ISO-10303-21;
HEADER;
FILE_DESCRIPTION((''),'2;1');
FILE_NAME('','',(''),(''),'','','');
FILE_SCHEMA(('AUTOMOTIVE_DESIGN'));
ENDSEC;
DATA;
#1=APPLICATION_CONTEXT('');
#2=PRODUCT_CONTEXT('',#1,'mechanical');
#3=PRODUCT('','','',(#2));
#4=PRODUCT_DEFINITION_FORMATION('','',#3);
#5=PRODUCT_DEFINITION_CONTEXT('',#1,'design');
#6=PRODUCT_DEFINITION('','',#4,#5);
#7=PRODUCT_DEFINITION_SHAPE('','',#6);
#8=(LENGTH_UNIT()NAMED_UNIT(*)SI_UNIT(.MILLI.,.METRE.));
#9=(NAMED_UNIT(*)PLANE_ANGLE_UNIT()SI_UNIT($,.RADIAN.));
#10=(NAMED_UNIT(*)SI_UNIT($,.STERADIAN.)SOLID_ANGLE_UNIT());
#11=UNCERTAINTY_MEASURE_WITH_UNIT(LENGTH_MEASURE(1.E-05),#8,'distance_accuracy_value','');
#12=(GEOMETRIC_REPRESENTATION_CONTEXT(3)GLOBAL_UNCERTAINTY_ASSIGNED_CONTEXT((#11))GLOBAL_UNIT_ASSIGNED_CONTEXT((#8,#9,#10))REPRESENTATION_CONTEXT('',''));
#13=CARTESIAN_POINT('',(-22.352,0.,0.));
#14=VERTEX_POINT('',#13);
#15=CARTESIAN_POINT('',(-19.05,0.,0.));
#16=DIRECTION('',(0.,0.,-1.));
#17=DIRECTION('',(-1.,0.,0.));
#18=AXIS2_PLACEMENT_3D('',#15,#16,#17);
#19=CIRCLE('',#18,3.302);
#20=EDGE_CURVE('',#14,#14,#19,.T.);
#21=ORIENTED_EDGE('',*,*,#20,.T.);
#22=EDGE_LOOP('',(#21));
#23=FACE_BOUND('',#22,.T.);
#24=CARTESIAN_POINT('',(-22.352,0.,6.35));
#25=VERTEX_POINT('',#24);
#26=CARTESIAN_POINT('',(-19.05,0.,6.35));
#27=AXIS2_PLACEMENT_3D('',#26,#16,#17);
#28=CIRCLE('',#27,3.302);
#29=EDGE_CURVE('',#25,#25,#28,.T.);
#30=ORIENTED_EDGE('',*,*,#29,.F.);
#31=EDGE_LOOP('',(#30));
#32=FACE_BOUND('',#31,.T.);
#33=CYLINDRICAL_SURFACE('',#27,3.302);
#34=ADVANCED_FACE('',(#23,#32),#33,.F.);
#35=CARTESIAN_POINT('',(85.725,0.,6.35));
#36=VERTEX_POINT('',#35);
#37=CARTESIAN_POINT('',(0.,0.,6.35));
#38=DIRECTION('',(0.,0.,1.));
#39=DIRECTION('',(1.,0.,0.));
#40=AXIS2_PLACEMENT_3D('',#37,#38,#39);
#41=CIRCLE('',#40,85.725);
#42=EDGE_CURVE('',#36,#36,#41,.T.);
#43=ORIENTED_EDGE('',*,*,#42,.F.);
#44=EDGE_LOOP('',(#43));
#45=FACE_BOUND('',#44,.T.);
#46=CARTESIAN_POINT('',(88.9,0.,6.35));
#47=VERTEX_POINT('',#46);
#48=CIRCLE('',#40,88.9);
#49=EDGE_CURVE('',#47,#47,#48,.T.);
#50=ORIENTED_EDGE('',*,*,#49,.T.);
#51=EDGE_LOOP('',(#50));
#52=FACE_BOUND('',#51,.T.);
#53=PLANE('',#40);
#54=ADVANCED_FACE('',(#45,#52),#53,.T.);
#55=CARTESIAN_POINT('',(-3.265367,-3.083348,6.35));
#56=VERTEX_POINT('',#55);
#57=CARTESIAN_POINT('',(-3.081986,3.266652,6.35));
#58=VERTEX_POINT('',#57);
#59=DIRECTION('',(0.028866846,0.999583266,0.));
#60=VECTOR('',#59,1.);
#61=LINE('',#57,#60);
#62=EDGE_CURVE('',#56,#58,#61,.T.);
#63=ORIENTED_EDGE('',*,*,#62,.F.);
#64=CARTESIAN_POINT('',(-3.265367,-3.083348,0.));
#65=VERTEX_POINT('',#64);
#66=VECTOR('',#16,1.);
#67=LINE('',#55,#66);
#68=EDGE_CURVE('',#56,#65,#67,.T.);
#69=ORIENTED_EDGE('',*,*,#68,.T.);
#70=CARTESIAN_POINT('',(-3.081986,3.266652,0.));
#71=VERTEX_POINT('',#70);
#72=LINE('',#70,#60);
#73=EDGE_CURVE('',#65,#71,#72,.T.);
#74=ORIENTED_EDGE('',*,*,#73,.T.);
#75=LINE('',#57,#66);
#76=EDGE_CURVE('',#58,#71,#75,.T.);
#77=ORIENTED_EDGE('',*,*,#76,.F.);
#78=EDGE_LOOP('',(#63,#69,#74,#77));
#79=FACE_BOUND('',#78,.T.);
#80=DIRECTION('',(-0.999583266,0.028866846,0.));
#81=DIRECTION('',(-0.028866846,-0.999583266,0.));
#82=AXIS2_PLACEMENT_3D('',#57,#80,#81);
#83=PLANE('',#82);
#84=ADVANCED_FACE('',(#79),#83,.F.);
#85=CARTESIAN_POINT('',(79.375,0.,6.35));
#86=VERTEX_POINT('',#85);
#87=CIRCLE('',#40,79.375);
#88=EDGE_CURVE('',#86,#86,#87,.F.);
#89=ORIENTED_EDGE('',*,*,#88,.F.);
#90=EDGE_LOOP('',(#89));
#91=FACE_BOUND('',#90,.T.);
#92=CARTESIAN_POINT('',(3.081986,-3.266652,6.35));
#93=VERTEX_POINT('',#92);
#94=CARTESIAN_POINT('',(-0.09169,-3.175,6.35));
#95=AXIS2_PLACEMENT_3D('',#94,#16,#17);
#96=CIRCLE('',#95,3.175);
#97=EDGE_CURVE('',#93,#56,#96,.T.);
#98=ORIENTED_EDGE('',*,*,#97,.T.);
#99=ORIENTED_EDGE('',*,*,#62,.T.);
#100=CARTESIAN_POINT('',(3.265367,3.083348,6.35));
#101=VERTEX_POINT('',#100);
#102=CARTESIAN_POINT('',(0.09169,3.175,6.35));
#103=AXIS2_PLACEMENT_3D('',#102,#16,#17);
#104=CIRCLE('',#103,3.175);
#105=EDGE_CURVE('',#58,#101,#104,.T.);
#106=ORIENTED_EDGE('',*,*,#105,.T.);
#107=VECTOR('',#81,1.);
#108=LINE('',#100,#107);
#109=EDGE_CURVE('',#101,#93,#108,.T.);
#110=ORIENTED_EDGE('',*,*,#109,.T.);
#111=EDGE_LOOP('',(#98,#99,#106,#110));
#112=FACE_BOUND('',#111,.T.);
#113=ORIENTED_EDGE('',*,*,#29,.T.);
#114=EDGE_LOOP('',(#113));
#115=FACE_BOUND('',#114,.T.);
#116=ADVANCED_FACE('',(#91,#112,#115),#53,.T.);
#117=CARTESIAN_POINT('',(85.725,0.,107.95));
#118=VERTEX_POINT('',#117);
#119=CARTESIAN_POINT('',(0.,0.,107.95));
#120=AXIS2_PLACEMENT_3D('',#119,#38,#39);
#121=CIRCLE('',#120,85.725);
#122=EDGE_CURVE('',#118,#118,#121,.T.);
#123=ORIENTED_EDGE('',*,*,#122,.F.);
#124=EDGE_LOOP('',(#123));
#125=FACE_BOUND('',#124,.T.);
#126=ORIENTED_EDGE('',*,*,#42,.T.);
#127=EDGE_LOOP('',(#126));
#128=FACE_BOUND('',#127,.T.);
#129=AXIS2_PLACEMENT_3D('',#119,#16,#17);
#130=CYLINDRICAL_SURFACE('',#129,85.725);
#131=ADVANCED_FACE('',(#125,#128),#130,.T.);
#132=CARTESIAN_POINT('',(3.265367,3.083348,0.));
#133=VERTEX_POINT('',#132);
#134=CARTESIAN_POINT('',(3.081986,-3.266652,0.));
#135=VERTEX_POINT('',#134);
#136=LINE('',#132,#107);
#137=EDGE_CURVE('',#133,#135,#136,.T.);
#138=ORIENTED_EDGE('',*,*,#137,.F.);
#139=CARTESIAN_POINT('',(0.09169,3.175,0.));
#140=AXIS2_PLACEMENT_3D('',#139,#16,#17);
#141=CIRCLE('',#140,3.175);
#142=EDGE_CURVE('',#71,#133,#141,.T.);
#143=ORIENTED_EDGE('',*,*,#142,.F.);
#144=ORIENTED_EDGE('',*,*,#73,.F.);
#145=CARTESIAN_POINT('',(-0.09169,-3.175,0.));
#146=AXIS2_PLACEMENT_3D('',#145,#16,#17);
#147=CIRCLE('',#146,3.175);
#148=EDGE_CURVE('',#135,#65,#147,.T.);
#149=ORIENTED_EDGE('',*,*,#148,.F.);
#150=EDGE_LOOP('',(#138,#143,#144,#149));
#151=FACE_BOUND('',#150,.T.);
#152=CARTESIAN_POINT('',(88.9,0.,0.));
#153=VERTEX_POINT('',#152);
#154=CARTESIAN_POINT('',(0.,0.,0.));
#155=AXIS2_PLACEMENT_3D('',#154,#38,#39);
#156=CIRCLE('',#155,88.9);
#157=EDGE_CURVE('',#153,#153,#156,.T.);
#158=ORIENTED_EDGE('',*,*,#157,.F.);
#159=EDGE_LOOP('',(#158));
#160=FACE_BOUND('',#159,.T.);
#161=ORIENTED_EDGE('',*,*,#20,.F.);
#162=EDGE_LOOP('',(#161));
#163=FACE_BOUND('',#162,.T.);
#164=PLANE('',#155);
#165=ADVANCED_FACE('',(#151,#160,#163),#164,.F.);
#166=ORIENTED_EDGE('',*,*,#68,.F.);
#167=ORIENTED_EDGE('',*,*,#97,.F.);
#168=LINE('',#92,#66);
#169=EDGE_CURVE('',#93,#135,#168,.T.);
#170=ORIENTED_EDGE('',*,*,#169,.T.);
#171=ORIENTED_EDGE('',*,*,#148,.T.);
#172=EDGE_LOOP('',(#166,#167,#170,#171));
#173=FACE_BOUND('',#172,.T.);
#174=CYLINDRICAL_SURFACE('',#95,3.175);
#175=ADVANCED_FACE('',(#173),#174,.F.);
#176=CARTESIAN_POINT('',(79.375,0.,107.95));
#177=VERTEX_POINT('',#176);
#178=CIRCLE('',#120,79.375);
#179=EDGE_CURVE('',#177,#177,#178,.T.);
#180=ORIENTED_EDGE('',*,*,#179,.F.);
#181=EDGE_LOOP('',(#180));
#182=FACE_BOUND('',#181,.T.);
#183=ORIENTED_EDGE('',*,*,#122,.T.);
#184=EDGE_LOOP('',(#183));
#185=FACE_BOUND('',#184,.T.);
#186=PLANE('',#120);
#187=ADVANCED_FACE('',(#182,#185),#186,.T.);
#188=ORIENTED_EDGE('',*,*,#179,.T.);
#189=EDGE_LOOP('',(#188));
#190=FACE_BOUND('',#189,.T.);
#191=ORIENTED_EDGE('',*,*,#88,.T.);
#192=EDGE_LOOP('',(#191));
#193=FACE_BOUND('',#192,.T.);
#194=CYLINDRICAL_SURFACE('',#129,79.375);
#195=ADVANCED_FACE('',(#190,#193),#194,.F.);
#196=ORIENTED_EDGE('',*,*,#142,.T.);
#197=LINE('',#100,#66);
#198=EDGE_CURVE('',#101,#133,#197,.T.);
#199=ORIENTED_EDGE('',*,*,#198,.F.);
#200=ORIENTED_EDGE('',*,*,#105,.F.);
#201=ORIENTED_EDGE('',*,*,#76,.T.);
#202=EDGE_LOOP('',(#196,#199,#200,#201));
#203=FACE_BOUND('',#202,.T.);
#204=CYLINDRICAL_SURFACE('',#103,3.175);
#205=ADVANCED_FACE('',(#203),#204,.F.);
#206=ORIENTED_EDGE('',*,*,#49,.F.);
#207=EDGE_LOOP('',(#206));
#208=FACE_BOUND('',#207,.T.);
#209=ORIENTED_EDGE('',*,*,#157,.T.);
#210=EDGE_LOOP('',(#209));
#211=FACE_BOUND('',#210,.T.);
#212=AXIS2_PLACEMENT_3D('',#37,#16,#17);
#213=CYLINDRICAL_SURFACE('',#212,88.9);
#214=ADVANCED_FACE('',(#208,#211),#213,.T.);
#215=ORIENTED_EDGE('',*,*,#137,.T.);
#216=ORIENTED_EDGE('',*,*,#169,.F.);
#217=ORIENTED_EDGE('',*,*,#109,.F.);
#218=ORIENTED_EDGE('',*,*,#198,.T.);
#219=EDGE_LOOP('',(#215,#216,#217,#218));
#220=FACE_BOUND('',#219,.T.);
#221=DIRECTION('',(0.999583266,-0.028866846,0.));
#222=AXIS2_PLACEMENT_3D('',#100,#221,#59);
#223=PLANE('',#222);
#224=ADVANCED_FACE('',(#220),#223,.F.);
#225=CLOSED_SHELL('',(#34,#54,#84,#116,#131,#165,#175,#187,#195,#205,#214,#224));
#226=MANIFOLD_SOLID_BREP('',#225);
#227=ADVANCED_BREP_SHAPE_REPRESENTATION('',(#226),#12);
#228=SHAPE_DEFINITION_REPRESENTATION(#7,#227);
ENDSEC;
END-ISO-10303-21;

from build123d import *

# Parameters (mm, degrees)
SKETCH1_R           = 88.9
BOSS_EXTRUDE1_DEPTH = 6.35
SKETCH2_R           = 3.302
CUT_EXTRUDE1_DEPTH  = 126.88384527
SKETCH3_R           = 85.725
SKETCH3_R_2         = 79.375
BOSS_EXTRUDE2_DEPTH = 101.6


with BuildPart() as part:
    # Sketch1 → Boss-Extrude1 (new body)
    with BuildSketch(Plane.XY):
        Circle(SKETCH1_R)
    extrude(amount=BOSS_EXTRUDE1_DEPTH)

    # Sketch2 → Cut-Extrude1 (cut, through all)
    with BuildSketch(Plane(origin=(0, 0, 0), x_dir=(-1, 0, 0), z_dir=(0, 0, -1))):
        with Locations((19.05, 0)):
            Circle(SKETCH2_R)
        with BuildLine():
            Line((3.081986422, 3.266652236), (3.265367316, -3.083347764))
            ThreePointArc((3.265367316, -3.083347764), (0.183342684, -6.348676869), (-3.081986422, -3.266652236))
            Line((-3.081986422, -3.266652236), (-3.265367316, 3.083347764))
            ThreePointArc((-3.265367316, 3.083347764), (-0.183342684, 6.348676869), (3.081986422, 3.266652236))
        make_face()
    extrude(amount=-CUT_EXTRUDE1_DEPTH, mode=Mode.SUBTRACT)

    # Sketch3 → Boss-Extrude2 (add)
    with BuildSketch(Plane.XY.offset(6.35)):
        Circle(SKETCH3_R)
        Circle(SKETCH3_R_2, mode=Mode.SUBTRACT)
    extrude(amount=BOSS_EXTRUDE2_DEPTH)


solid = part.part
